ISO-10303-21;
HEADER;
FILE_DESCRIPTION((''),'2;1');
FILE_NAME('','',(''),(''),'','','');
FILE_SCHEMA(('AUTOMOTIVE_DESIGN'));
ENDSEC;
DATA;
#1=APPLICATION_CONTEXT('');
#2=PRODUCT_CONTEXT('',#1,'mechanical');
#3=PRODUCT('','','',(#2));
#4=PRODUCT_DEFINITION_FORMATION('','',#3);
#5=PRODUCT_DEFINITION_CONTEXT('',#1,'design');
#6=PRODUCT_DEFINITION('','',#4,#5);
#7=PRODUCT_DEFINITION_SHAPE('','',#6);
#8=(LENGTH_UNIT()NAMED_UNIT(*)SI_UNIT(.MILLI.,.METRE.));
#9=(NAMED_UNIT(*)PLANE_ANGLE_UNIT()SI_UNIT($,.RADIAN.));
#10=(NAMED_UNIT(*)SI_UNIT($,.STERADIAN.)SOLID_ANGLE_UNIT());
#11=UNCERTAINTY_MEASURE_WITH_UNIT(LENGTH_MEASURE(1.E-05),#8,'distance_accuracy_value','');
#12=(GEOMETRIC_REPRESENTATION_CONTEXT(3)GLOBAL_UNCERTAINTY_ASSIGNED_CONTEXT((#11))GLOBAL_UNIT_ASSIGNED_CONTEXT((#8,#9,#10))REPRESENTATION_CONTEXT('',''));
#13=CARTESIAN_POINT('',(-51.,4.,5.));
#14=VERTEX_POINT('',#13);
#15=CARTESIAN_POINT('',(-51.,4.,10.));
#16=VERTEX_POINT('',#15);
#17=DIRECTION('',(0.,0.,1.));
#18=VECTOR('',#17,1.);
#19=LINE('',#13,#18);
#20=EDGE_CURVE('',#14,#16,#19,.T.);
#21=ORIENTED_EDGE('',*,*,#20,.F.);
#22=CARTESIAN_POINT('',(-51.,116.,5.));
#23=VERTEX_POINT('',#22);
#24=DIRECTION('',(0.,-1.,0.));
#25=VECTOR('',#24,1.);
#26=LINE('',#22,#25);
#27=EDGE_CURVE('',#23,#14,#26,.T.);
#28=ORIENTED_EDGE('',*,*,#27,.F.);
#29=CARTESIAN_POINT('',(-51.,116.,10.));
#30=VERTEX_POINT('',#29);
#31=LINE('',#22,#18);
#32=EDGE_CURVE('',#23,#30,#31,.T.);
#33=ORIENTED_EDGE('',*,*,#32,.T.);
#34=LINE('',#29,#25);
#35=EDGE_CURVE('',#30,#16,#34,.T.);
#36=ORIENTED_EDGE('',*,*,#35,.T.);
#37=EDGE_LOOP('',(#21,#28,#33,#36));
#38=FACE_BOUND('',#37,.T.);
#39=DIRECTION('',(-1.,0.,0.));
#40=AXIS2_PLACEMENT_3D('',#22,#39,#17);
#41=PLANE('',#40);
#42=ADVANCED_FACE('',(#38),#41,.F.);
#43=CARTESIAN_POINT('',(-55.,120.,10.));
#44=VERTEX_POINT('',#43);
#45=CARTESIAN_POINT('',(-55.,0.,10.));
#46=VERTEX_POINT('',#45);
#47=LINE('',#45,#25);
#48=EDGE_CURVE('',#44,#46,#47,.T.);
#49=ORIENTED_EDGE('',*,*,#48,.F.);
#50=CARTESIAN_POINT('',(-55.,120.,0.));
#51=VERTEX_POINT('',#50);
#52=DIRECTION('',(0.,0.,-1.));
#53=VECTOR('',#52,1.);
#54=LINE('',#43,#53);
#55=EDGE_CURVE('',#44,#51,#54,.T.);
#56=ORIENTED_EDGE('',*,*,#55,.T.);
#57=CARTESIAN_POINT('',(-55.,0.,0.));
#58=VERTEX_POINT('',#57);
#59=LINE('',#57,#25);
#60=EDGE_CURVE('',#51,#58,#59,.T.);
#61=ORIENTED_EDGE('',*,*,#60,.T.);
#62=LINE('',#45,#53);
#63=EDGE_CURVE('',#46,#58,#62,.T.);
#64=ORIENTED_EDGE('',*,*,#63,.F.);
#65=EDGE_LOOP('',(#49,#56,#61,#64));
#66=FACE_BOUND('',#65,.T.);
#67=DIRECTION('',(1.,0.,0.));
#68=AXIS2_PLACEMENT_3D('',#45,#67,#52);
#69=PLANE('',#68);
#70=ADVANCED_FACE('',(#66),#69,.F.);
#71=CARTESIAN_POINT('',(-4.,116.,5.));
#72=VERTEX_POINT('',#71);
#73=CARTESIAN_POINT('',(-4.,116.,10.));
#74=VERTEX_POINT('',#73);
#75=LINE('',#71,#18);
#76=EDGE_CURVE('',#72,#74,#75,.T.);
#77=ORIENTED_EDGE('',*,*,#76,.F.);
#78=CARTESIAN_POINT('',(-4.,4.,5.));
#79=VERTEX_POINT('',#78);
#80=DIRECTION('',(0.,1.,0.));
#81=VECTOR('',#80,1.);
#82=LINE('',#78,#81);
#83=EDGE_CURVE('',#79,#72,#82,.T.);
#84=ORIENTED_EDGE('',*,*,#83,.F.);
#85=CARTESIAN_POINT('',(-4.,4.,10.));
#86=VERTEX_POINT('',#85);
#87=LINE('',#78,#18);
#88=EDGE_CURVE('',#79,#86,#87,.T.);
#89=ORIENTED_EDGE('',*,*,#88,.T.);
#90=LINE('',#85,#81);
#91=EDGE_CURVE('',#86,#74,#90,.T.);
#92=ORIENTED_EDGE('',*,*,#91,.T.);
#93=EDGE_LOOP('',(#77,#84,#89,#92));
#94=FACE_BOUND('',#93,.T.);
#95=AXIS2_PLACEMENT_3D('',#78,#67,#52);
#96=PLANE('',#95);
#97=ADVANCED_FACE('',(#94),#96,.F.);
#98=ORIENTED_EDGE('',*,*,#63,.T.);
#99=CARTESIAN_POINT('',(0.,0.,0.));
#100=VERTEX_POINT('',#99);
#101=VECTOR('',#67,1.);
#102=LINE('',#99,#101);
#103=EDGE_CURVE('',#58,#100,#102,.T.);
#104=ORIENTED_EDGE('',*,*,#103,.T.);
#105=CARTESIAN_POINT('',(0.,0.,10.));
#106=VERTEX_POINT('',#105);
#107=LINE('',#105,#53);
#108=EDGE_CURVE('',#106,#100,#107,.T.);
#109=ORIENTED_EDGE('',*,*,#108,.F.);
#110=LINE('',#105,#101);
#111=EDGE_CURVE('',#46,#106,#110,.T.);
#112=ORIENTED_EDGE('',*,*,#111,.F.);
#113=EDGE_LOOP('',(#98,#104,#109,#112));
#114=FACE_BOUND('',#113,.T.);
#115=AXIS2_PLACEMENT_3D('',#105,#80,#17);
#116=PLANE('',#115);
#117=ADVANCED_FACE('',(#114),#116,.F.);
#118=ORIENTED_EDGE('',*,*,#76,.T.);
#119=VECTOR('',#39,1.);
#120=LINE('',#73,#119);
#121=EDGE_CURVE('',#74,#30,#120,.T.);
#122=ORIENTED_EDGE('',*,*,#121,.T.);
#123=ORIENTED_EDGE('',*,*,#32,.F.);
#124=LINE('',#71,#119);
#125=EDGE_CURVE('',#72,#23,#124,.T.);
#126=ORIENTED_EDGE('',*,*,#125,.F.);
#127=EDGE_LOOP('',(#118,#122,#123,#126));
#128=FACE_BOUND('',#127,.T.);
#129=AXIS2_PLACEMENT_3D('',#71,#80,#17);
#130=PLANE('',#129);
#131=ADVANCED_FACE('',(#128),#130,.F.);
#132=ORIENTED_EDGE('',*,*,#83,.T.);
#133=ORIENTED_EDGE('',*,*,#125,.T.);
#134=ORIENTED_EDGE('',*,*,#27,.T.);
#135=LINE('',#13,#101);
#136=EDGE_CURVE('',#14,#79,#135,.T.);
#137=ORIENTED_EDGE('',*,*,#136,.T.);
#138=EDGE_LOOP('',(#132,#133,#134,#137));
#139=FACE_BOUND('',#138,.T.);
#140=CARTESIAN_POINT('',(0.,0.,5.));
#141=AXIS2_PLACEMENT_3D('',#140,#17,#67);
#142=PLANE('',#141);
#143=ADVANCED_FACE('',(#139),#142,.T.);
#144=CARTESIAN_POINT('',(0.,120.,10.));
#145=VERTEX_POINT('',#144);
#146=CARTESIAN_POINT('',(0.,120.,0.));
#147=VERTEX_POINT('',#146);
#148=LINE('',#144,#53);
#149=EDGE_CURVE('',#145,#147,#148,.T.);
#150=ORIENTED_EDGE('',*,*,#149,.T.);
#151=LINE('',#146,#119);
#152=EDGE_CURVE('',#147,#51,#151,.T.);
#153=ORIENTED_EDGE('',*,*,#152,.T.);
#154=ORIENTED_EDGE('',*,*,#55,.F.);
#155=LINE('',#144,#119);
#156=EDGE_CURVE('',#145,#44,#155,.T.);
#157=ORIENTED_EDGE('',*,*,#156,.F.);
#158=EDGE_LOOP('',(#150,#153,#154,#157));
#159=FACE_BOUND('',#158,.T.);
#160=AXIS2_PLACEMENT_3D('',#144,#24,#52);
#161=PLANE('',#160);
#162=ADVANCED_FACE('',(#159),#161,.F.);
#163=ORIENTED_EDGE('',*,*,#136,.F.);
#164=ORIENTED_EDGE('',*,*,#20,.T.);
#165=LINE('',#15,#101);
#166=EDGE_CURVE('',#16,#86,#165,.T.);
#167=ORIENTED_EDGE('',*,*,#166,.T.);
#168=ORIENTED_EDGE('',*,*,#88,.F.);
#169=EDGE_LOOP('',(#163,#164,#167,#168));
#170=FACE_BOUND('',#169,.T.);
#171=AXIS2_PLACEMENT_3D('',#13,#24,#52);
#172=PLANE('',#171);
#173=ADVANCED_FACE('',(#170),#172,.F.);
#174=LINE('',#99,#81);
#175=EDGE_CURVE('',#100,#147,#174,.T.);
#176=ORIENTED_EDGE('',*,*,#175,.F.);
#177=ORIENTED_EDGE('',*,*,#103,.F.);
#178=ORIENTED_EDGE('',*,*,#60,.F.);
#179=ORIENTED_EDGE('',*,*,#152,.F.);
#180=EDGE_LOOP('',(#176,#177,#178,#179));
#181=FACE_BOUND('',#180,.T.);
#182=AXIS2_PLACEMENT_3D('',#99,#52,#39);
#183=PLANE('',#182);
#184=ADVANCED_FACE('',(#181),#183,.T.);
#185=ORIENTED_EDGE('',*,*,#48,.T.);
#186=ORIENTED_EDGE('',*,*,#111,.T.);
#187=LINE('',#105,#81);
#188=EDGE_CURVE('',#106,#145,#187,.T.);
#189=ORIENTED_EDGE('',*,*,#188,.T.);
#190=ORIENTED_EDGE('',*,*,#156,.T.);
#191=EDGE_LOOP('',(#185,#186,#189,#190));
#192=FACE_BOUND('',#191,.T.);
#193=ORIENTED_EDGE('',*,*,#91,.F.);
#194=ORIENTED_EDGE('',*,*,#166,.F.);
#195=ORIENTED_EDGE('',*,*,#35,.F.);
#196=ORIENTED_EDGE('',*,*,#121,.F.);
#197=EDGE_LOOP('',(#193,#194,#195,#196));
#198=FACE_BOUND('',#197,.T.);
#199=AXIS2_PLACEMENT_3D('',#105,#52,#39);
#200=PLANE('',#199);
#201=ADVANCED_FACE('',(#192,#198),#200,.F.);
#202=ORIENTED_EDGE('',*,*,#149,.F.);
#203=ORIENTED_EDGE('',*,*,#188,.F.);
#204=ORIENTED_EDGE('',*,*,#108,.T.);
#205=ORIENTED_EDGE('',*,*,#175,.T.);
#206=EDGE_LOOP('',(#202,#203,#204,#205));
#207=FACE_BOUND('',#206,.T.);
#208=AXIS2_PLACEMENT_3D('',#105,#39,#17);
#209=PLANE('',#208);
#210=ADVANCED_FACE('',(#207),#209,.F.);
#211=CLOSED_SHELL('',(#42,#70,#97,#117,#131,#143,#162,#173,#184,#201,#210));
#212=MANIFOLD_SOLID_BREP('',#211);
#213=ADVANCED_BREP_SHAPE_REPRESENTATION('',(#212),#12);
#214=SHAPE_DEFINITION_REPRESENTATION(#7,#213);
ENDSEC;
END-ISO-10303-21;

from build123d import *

# Parameters (mm, degrees)
SKETCH1_W           = 120
SKETCH1_H           = 55
BOSS_EXTRUDE1_DEPTH = 10
SKETCH2_W           = 47
SKETCH2_H           = 112
CUT_EXTRUDE1_DEPTH  = 5


with BuildPart() as part:
    # Sketch1 → Boss-Extrude1 (new body)
    with BuildSketch(Plane(origin=(0, 0, 0), x_dir=(0, 1, 0), z_dir=(0, 0, 1))):
        with Locations((60, 27.5)):
            Rectangle(SKETCH1_W, SKETCH1_H)
    extrude(amount=BOSS_EXTRUDE1_DEPTH)

    # Sketch2 → Cut-Extrude1 (cut)
    with BuildSketch(Plane.XY.offset(10)):
        with Locations((-27.5, 60)):
            Rectangle(SKETCH2_W, SKETCH2_H)
    extrude(amount=-CUT_EXTRUDE1_DEPTH, mode=Mode.SUBTRACT)


solid = part.part
